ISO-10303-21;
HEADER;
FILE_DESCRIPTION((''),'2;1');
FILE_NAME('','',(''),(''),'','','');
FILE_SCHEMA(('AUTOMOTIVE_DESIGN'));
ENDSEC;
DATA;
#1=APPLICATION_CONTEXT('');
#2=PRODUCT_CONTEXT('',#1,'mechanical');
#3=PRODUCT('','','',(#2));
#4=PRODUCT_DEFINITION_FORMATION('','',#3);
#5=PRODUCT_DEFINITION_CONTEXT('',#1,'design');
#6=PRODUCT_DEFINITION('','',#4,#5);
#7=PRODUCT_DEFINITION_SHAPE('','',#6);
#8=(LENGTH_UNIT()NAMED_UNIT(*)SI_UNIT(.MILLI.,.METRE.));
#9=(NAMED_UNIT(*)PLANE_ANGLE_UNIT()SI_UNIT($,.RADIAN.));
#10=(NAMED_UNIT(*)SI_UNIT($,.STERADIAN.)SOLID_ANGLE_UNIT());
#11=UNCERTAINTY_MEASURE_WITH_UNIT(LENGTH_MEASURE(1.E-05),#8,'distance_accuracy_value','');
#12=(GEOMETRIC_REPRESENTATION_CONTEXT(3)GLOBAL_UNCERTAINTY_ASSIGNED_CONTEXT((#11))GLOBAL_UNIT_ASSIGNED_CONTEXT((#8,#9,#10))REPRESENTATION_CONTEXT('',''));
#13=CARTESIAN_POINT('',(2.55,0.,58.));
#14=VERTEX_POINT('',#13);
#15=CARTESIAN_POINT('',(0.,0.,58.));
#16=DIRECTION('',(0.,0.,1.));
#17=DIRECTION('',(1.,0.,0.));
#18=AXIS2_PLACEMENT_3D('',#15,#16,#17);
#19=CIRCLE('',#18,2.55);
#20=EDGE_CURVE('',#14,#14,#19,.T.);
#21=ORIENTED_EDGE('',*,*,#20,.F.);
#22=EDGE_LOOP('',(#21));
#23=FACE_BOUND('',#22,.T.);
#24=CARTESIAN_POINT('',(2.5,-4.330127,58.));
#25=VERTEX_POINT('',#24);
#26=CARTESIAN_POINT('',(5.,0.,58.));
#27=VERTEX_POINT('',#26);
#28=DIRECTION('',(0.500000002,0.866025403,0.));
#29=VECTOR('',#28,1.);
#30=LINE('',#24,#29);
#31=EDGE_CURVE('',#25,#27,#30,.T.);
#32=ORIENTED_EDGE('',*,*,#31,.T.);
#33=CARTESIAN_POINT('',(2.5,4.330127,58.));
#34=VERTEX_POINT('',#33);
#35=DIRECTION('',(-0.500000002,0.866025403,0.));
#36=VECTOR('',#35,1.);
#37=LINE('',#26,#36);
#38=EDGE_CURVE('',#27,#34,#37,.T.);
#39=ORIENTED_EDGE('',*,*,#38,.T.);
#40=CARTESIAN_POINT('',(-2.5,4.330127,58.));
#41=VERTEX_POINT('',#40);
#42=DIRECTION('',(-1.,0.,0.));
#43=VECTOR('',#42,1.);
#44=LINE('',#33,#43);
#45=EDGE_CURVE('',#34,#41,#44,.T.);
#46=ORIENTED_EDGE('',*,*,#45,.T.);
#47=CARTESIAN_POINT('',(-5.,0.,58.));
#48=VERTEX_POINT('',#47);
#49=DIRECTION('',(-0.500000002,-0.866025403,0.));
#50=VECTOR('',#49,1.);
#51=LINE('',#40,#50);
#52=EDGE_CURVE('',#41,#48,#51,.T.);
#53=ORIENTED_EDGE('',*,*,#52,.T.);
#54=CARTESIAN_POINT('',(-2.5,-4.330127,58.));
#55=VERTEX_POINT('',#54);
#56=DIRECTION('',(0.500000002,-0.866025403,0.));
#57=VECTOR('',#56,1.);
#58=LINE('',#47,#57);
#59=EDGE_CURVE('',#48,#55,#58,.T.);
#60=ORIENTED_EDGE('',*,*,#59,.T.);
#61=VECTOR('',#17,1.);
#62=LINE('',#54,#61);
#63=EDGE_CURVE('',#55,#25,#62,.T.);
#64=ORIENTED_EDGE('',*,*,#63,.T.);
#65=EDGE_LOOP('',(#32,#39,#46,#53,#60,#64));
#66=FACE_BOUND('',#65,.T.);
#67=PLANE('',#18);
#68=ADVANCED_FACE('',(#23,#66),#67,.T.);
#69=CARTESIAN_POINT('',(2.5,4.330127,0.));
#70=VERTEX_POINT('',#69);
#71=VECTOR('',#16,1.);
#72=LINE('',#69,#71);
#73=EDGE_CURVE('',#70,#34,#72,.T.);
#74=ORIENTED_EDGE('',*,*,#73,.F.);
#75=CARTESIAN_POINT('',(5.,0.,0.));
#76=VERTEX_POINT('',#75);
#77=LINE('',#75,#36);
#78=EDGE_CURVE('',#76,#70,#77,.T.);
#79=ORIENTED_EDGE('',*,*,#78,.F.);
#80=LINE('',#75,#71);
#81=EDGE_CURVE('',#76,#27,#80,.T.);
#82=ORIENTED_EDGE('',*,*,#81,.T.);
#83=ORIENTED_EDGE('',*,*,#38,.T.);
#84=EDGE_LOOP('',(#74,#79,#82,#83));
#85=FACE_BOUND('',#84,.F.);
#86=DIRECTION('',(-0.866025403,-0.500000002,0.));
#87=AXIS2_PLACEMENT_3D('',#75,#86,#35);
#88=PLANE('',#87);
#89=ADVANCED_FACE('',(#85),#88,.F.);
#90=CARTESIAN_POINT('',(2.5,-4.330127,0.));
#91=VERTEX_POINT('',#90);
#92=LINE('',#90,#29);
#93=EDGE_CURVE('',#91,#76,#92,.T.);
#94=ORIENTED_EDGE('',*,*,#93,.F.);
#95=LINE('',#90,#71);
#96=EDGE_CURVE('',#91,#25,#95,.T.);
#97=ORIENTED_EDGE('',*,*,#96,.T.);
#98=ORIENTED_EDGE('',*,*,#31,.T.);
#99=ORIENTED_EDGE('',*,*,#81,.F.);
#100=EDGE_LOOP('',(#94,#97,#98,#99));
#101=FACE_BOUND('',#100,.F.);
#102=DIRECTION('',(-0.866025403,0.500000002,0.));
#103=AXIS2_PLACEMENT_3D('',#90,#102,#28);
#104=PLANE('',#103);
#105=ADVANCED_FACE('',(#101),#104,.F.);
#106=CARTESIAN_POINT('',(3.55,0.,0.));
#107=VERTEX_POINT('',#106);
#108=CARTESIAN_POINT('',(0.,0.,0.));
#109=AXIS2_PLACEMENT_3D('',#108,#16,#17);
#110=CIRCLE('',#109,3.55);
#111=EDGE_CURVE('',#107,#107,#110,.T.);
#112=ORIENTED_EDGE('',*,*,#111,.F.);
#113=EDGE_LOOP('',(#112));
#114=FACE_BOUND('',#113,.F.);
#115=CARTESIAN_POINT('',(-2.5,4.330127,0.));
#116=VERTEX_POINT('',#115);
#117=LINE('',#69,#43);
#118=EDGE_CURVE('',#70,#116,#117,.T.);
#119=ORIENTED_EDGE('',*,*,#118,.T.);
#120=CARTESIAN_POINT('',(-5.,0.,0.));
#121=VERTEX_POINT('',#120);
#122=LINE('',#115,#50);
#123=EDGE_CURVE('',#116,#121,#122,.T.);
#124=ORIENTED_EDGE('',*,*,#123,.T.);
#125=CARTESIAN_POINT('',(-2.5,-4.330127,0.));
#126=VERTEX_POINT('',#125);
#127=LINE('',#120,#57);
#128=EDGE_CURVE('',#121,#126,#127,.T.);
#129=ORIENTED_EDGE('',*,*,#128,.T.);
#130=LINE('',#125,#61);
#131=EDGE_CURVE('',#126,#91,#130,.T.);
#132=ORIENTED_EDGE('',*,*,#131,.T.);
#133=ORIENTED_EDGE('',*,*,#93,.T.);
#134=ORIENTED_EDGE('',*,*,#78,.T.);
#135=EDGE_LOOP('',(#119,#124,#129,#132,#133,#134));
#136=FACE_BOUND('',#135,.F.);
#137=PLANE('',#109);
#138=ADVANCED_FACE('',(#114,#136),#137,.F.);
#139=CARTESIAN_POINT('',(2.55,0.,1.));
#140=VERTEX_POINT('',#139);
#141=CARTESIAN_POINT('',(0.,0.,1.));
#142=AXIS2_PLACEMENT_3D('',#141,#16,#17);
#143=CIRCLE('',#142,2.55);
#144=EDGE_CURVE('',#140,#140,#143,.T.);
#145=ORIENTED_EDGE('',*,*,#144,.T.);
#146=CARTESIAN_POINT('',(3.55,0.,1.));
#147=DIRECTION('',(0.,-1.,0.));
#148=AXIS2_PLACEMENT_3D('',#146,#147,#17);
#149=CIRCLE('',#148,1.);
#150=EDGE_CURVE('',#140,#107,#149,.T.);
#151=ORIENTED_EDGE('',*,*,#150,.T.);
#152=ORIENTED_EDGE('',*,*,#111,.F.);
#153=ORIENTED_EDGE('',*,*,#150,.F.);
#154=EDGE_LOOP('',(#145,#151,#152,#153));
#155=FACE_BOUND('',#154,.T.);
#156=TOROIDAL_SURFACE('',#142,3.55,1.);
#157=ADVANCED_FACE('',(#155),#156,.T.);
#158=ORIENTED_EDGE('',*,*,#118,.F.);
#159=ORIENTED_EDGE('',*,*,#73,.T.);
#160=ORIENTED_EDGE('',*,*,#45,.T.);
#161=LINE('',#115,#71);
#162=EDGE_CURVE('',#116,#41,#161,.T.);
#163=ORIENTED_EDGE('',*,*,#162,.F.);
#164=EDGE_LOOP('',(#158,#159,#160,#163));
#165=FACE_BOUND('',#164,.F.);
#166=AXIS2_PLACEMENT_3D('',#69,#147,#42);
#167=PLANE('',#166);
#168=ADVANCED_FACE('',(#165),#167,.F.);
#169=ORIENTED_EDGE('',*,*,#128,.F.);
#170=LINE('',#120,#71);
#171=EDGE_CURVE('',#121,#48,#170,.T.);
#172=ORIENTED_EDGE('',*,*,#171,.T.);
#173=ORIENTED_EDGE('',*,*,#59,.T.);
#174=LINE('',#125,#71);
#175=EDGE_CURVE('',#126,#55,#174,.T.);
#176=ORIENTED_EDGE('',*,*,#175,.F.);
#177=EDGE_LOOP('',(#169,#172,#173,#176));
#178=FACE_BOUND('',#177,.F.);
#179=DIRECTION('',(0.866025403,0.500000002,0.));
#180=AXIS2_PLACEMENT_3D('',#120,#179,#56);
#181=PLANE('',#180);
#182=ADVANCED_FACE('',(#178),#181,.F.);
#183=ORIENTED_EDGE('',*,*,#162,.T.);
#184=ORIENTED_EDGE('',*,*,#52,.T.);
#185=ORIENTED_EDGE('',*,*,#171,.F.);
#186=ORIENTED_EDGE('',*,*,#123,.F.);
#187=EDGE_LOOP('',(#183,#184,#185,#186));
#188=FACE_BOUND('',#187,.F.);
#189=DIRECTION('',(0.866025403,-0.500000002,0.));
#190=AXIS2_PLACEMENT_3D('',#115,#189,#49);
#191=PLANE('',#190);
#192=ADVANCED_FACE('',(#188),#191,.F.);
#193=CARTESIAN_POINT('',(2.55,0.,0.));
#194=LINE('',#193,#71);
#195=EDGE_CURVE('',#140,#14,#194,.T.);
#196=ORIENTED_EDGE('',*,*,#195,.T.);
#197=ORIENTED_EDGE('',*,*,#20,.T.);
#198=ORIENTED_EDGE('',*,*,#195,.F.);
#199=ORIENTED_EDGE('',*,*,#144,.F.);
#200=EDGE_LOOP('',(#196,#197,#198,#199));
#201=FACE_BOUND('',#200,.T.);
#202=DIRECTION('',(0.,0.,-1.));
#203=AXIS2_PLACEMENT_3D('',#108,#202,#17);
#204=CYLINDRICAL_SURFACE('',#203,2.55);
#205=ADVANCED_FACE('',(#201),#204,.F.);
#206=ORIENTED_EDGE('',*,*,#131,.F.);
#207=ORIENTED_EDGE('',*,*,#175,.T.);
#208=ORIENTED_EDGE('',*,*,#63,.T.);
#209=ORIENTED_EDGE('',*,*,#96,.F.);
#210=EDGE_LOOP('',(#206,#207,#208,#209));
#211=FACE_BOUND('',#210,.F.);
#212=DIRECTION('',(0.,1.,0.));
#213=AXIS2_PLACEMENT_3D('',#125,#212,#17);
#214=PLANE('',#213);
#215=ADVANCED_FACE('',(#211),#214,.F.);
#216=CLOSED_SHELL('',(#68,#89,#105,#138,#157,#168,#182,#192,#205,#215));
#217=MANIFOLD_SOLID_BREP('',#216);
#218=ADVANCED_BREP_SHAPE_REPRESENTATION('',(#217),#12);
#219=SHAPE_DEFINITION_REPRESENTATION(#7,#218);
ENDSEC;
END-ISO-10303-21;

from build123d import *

# Parameters (mm, degrees)
SKETCH_R  = 2.55
PAD_DEPTH = 58
FILLET_R  = 1


with BuildPart() as part:
    # Sketch → Pad (new body)
    with BuildSketch(Plane.XY):
        Polygon((-5, 0), (-2.5, -4.330127), (2.5, -4.330127), (5, 0), (2.5, 4.330127), (-2.5, 4.330127), align=None)
        Circle(SKETCH_R, mode=Mode.SUBTRACT)
    extrude(amount=PAD_DEPTH)

    # Fillet
    fillet_edges = [part.edges().sort_by_distance(p)[0] for p in [
        (-2.55, 0, 0),
    ]]
    fillet(fillet_edges, radius=FILLET_R)


solid = part.part
